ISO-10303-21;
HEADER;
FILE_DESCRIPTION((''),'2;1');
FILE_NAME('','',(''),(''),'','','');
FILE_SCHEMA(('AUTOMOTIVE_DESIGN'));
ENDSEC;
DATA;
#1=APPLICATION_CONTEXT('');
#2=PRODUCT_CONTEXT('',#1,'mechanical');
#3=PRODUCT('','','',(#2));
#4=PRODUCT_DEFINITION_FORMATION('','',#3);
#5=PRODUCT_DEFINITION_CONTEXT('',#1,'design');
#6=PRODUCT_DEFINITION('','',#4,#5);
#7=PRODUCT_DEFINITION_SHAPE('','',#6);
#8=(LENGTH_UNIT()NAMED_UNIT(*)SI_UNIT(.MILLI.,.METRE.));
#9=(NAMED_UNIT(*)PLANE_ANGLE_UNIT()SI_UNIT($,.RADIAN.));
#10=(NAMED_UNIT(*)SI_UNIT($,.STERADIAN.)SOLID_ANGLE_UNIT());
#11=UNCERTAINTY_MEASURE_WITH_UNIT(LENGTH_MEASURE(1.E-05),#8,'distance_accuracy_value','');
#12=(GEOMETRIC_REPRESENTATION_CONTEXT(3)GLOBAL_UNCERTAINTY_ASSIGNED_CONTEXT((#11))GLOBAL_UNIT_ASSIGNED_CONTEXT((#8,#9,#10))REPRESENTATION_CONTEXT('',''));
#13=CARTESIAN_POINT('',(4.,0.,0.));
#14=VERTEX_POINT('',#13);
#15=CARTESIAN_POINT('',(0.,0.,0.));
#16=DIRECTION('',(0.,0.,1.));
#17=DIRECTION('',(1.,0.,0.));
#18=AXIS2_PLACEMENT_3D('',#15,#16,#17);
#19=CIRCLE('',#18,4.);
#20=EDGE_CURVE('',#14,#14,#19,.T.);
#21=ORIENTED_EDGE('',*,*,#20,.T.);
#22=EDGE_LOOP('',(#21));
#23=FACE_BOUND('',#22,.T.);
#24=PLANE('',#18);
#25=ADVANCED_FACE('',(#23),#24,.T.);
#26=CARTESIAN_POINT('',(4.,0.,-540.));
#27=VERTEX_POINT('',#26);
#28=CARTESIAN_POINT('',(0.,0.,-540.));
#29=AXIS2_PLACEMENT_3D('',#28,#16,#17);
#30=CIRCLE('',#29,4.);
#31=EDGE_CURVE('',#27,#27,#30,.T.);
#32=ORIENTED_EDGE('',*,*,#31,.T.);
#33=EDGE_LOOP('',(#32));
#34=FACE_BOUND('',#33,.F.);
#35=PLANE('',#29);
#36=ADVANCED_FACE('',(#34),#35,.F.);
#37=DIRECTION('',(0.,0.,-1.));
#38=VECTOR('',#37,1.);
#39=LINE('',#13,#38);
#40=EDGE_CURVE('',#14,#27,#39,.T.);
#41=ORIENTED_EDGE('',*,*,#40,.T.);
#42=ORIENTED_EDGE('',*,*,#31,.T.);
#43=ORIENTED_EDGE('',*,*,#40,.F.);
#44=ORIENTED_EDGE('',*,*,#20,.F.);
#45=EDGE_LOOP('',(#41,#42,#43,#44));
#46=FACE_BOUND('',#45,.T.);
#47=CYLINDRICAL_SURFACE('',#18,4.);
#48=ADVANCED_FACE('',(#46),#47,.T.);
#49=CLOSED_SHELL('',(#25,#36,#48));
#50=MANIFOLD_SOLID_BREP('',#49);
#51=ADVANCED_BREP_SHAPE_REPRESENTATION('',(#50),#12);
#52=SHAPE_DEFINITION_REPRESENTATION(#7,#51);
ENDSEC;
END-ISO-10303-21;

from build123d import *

# Parameters (mm, degrees)
SKETCH1_R           = 4
BOSS_EXTRUDE1_DEPTH = 540


with BuildPart() as part:
    # Sketch1 → Boss-Extrude1 (new body)
    with BuildSketch(Plane.XY):
        Circle(SKETCH1_R)
    extrude(amount=-BOSS_EXTRUDE1_DEPTH)


solid = part.part
